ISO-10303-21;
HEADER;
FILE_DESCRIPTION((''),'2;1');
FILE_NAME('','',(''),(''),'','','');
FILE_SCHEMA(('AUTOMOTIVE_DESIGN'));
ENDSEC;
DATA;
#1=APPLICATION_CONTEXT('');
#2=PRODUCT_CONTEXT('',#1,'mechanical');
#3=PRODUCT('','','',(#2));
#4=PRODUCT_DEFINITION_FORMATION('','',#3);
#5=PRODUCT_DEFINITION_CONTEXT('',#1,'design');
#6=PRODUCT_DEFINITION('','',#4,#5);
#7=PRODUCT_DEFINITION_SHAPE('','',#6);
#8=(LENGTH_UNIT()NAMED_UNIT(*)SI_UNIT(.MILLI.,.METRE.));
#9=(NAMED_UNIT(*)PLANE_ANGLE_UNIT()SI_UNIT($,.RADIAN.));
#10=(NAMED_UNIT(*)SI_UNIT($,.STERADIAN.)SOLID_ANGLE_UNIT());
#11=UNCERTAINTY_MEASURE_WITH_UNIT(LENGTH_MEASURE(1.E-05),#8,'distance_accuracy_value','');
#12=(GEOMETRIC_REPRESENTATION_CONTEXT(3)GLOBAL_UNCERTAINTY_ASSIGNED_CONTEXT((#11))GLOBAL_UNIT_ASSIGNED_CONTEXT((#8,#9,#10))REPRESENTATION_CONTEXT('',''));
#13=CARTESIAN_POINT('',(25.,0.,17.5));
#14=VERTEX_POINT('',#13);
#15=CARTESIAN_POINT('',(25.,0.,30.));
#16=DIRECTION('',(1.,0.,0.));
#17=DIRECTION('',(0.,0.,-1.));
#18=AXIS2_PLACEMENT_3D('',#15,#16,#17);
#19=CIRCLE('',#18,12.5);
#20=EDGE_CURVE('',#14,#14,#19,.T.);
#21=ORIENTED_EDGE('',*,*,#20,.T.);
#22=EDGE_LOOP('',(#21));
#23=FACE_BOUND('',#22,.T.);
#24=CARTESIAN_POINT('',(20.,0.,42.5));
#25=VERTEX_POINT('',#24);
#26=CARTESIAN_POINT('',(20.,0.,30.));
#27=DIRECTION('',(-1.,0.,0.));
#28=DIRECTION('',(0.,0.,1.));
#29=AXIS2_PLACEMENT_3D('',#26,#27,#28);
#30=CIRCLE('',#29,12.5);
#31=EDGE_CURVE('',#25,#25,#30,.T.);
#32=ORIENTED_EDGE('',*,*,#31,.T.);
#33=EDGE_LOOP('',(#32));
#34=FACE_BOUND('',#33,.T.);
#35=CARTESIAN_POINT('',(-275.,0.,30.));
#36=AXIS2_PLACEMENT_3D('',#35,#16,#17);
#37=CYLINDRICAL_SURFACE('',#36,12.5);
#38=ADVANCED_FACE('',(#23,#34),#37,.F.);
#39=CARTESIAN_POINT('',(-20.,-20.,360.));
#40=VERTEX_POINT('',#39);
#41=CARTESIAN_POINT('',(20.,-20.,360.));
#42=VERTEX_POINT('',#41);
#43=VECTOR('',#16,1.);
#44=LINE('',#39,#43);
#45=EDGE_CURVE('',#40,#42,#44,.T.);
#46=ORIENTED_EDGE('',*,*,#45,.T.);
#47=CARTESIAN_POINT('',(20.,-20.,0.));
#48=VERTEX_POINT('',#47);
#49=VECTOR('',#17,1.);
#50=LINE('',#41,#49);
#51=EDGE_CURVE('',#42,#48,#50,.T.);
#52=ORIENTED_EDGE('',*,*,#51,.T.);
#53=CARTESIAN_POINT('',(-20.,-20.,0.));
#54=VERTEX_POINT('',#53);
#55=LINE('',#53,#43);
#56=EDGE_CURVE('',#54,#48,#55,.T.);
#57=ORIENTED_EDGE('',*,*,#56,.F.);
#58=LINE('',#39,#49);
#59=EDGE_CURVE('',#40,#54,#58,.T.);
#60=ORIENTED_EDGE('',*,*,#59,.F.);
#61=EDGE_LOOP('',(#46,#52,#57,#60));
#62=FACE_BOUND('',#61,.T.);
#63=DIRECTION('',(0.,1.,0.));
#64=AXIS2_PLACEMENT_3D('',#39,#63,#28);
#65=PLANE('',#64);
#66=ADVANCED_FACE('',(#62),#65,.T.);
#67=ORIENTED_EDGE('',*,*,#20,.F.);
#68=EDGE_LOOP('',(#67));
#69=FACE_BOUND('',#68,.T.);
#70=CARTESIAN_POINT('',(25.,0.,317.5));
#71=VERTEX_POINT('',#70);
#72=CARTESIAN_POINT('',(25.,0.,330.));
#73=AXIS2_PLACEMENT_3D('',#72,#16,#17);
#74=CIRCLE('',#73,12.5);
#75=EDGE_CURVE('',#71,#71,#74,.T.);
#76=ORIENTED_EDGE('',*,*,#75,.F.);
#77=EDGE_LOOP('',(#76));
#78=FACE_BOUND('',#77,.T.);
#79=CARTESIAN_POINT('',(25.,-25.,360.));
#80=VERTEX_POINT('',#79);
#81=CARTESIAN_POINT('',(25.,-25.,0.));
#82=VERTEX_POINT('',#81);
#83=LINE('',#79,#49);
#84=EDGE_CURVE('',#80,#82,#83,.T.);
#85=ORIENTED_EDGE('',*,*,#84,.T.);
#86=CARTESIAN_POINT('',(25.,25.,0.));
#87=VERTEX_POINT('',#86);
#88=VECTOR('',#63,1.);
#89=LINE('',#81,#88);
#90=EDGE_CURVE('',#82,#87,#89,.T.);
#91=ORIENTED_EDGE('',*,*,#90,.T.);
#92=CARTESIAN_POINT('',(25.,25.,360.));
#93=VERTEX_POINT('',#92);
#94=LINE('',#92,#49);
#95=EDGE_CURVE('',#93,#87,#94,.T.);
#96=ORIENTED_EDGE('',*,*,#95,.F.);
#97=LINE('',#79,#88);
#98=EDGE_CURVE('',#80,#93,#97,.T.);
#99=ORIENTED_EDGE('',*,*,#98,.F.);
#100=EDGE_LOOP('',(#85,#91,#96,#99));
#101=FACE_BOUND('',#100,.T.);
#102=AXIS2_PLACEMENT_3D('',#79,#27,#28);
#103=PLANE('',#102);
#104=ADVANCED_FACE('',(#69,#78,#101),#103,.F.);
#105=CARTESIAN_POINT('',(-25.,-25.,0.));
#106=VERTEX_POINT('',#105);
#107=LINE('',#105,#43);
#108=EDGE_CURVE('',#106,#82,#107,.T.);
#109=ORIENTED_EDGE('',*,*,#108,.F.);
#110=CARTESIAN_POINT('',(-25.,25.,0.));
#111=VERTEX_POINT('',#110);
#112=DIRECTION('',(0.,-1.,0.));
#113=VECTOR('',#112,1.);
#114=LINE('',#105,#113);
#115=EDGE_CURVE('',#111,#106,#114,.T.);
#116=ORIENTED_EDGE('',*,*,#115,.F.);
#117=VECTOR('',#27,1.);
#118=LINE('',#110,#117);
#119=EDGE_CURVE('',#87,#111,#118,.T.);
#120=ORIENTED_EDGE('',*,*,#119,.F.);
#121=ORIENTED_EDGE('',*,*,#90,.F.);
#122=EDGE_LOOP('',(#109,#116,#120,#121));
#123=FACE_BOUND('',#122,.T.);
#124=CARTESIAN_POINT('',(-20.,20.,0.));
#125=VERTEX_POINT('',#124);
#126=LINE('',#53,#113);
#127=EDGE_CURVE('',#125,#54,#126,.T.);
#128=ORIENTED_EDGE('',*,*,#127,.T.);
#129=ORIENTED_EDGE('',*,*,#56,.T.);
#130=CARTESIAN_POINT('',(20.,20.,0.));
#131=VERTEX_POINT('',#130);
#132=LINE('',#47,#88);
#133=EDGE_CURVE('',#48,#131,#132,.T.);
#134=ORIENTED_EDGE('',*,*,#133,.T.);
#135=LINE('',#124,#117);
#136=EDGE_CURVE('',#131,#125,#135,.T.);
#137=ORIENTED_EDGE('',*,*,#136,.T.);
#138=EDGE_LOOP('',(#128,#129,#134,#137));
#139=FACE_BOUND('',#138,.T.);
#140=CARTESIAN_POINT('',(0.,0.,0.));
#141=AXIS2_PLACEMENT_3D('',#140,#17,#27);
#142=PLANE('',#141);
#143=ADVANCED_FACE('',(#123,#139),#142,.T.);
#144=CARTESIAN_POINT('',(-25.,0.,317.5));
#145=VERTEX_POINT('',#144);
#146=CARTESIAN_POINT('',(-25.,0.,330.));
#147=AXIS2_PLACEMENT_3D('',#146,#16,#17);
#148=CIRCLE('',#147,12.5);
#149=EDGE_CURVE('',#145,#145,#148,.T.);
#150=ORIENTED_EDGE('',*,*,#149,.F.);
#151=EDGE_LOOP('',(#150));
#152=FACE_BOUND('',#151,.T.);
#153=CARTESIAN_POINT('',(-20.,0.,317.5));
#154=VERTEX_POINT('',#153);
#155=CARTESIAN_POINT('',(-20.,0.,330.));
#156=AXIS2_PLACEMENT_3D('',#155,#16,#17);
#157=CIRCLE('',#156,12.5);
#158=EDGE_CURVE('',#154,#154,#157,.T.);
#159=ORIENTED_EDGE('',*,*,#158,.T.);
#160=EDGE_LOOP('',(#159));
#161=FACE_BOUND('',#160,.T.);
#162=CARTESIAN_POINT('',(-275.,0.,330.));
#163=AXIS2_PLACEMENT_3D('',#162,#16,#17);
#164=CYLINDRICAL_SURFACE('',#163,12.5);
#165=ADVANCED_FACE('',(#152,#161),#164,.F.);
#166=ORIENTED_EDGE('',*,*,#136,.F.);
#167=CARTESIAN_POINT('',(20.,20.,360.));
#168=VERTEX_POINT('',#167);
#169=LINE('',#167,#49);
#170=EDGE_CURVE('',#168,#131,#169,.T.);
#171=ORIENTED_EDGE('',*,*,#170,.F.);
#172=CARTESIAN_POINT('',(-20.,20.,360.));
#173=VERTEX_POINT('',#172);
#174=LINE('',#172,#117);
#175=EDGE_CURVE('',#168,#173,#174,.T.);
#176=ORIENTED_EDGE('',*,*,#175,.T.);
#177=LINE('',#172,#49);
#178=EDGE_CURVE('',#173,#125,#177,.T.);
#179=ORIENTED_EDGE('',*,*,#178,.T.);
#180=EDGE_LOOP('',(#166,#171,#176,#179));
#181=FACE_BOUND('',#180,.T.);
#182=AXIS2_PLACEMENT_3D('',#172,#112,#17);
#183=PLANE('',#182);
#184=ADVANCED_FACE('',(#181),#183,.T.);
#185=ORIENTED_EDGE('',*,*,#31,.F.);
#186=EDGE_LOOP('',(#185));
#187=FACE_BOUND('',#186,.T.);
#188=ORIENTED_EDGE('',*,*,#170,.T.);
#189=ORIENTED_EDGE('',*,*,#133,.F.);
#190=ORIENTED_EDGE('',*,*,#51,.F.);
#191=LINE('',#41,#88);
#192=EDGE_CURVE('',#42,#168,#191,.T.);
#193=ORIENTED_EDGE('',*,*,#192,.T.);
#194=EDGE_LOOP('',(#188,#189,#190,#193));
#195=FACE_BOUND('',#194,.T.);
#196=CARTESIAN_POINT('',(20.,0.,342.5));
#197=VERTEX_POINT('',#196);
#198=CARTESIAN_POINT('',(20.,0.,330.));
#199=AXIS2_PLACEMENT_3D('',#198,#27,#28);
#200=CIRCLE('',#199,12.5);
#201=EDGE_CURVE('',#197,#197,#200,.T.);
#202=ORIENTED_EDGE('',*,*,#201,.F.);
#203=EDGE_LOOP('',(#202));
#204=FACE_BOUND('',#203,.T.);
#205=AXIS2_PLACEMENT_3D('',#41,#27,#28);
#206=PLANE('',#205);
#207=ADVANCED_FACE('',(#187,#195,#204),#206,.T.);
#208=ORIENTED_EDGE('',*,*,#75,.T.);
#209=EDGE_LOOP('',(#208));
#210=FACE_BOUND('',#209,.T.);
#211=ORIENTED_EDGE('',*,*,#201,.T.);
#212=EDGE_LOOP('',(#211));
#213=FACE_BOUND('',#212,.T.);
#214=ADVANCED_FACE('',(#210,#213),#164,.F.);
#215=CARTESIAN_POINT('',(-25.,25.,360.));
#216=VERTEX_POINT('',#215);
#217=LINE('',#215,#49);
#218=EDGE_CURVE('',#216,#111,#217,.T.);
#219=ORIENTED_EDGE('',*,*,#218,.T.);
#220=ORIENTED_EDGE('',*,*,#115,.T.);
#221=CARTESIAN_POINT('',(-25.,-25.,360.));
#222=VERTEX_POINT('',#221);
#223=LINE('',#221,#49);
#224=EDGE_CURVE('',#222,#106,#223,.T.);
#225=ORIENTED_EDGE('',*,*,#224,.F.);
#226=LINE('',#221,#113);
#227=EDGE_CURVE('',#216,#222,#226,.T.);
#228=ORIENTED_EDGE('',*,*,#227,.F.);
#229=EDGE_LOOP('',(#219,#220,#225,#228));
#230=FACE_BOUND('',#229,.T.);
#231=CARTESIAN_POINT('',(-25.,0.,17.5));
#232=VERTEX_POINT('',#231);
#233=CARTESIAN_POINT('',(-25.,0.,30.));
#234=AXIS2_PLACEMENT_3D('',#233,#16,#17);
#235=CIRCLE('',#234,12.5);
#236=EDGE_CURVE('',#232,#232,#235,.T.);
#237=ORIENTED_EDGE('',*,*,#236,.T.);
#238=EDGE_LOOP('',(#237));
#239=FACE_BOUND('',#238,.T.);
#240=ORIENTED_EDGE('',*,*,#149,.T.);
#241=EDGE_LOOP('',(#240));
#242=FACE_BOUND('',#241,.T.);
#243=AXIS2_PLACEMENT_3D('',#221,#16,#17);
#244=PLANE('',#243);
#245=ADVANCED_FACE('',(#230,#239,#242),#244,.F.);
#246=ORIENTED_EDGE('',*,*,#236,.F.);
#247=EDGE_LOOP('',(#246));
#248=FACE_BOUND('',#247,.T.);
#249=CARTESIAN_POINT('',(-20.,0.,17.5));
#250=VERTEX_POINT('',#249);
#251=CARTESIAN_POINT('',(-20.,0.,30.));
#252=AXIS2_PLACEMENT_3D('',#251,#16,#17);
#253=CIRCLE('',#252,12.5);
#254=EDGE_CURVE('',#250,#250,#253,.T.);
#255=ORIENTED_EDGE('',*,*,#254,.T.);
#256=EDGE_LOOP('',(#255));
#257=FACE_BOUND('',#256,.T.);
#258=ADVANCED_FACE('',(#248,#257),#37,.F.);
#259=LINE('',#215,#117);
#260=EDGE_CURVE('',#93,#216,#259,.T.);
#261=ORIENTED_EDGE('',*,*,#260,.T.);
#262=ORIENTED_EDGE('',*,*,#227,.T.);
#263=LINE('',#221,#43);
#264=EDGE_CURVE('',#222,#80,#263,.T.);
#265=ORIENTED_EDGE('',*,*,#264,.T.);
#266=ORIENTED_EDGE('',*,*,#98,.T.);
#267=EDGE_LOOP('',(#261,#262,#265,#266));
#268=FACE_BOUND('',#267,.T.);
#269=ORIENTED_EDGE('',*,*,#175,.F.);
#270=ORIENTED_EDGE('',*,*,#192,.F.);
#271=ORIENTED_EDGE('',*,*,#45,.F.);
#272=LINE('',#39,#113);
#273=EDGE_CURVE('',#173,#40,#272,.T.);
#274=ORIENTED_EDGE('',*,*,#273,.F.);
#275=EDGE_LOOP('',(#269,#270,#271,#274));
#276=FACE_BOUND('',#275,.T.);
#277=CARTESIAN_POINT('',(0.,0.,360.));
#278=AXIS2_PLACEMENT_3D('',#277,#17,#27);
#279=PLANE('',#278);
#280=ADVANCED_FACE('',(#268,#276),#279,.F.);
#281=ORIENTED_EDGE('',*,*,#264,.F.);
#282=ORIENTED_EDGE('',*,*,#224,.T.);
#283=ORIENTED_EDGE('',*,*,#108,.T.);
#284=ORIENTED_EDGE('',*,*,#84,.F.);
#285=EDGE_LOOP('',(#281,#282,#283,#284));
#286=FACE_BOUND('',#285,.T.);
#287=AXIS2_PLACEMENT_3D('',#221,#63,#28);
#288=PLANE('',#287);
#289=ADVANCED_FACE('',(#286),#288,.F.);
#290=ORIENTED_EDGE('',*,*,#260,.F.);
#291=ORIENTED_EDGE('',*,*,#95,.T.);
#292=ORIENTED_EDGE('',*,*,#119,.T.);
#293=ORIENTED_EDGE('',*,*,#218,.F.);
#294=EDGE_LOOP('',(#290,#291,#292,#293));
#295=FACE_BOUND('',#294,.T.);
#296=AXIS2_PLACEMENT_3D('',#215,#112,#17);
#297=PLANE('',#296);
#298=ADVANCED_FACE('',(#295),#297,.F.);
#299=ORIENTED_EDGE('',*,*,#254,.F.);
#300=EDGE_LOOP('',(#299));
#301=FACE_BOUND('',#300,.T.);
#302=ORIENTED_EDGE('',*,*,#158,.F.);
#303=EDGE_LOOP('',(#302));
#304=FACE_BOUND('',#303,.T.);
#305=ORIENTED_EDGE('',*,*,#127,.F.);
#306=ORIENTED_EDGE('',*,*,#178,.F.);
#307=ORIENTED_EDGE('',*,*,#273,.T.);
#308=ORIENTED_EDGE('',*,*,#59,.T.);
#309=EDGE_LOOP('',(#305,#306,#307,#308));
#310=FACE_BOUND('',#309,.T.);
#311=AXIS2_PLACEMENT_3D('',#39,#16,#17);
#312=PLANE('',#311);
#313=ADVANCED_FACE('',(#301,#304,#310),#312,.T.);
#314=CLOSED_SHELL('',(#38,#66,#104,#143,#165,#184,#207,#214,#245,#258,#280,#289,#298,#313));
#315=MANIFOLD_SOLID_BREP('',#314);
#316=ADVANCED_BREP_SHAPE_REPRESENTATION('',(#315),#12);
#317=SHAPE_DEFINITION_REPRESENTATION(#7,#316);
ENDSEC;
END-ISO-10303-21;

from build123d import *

# Parameters (mm, degrees)
SKETCH1_W           = 50
SKETCH1_H           = 50
SKETCH1_W_2         = 40
SKETCH1_H_2         = 40
BOSS_EXTRUDE1_DEPTH = 360
SKETCH2_R           = 12.5
CUT_EXTRUDE1_DEPTH  = 300


with BuildPart() as part:
    # Sketch1 → Boss-Extrude1 (new body)
    with BuildSketch(Plane.XY):
        Rectangle(SKETCH1_W, SKETCH1_H)
        Rectangle(SKETCH1_W_2, SKETCH1_H_2, mode=Mode.SUBTRACT)
    extrude(amount=BOSS_EXTRUDE1_DEPTH)

    # Sketch2 → Cut-Extrude1 (cut)
    with BuildSketch(Plane(origin=(25, 0, 0), x_dir=(0, 0, -1), z_dir=(1, 0, 0))):
        with Locations((-330, 0)):
            Circle(SKETCH2_R)
        with Locations((-30, 0)):
            Circle(SKETCH2_R)
    extrude(amount=-CUT_EXTRUDE1_DEPTH, mode=Mode.SUBTRACT)


solid = part.part
